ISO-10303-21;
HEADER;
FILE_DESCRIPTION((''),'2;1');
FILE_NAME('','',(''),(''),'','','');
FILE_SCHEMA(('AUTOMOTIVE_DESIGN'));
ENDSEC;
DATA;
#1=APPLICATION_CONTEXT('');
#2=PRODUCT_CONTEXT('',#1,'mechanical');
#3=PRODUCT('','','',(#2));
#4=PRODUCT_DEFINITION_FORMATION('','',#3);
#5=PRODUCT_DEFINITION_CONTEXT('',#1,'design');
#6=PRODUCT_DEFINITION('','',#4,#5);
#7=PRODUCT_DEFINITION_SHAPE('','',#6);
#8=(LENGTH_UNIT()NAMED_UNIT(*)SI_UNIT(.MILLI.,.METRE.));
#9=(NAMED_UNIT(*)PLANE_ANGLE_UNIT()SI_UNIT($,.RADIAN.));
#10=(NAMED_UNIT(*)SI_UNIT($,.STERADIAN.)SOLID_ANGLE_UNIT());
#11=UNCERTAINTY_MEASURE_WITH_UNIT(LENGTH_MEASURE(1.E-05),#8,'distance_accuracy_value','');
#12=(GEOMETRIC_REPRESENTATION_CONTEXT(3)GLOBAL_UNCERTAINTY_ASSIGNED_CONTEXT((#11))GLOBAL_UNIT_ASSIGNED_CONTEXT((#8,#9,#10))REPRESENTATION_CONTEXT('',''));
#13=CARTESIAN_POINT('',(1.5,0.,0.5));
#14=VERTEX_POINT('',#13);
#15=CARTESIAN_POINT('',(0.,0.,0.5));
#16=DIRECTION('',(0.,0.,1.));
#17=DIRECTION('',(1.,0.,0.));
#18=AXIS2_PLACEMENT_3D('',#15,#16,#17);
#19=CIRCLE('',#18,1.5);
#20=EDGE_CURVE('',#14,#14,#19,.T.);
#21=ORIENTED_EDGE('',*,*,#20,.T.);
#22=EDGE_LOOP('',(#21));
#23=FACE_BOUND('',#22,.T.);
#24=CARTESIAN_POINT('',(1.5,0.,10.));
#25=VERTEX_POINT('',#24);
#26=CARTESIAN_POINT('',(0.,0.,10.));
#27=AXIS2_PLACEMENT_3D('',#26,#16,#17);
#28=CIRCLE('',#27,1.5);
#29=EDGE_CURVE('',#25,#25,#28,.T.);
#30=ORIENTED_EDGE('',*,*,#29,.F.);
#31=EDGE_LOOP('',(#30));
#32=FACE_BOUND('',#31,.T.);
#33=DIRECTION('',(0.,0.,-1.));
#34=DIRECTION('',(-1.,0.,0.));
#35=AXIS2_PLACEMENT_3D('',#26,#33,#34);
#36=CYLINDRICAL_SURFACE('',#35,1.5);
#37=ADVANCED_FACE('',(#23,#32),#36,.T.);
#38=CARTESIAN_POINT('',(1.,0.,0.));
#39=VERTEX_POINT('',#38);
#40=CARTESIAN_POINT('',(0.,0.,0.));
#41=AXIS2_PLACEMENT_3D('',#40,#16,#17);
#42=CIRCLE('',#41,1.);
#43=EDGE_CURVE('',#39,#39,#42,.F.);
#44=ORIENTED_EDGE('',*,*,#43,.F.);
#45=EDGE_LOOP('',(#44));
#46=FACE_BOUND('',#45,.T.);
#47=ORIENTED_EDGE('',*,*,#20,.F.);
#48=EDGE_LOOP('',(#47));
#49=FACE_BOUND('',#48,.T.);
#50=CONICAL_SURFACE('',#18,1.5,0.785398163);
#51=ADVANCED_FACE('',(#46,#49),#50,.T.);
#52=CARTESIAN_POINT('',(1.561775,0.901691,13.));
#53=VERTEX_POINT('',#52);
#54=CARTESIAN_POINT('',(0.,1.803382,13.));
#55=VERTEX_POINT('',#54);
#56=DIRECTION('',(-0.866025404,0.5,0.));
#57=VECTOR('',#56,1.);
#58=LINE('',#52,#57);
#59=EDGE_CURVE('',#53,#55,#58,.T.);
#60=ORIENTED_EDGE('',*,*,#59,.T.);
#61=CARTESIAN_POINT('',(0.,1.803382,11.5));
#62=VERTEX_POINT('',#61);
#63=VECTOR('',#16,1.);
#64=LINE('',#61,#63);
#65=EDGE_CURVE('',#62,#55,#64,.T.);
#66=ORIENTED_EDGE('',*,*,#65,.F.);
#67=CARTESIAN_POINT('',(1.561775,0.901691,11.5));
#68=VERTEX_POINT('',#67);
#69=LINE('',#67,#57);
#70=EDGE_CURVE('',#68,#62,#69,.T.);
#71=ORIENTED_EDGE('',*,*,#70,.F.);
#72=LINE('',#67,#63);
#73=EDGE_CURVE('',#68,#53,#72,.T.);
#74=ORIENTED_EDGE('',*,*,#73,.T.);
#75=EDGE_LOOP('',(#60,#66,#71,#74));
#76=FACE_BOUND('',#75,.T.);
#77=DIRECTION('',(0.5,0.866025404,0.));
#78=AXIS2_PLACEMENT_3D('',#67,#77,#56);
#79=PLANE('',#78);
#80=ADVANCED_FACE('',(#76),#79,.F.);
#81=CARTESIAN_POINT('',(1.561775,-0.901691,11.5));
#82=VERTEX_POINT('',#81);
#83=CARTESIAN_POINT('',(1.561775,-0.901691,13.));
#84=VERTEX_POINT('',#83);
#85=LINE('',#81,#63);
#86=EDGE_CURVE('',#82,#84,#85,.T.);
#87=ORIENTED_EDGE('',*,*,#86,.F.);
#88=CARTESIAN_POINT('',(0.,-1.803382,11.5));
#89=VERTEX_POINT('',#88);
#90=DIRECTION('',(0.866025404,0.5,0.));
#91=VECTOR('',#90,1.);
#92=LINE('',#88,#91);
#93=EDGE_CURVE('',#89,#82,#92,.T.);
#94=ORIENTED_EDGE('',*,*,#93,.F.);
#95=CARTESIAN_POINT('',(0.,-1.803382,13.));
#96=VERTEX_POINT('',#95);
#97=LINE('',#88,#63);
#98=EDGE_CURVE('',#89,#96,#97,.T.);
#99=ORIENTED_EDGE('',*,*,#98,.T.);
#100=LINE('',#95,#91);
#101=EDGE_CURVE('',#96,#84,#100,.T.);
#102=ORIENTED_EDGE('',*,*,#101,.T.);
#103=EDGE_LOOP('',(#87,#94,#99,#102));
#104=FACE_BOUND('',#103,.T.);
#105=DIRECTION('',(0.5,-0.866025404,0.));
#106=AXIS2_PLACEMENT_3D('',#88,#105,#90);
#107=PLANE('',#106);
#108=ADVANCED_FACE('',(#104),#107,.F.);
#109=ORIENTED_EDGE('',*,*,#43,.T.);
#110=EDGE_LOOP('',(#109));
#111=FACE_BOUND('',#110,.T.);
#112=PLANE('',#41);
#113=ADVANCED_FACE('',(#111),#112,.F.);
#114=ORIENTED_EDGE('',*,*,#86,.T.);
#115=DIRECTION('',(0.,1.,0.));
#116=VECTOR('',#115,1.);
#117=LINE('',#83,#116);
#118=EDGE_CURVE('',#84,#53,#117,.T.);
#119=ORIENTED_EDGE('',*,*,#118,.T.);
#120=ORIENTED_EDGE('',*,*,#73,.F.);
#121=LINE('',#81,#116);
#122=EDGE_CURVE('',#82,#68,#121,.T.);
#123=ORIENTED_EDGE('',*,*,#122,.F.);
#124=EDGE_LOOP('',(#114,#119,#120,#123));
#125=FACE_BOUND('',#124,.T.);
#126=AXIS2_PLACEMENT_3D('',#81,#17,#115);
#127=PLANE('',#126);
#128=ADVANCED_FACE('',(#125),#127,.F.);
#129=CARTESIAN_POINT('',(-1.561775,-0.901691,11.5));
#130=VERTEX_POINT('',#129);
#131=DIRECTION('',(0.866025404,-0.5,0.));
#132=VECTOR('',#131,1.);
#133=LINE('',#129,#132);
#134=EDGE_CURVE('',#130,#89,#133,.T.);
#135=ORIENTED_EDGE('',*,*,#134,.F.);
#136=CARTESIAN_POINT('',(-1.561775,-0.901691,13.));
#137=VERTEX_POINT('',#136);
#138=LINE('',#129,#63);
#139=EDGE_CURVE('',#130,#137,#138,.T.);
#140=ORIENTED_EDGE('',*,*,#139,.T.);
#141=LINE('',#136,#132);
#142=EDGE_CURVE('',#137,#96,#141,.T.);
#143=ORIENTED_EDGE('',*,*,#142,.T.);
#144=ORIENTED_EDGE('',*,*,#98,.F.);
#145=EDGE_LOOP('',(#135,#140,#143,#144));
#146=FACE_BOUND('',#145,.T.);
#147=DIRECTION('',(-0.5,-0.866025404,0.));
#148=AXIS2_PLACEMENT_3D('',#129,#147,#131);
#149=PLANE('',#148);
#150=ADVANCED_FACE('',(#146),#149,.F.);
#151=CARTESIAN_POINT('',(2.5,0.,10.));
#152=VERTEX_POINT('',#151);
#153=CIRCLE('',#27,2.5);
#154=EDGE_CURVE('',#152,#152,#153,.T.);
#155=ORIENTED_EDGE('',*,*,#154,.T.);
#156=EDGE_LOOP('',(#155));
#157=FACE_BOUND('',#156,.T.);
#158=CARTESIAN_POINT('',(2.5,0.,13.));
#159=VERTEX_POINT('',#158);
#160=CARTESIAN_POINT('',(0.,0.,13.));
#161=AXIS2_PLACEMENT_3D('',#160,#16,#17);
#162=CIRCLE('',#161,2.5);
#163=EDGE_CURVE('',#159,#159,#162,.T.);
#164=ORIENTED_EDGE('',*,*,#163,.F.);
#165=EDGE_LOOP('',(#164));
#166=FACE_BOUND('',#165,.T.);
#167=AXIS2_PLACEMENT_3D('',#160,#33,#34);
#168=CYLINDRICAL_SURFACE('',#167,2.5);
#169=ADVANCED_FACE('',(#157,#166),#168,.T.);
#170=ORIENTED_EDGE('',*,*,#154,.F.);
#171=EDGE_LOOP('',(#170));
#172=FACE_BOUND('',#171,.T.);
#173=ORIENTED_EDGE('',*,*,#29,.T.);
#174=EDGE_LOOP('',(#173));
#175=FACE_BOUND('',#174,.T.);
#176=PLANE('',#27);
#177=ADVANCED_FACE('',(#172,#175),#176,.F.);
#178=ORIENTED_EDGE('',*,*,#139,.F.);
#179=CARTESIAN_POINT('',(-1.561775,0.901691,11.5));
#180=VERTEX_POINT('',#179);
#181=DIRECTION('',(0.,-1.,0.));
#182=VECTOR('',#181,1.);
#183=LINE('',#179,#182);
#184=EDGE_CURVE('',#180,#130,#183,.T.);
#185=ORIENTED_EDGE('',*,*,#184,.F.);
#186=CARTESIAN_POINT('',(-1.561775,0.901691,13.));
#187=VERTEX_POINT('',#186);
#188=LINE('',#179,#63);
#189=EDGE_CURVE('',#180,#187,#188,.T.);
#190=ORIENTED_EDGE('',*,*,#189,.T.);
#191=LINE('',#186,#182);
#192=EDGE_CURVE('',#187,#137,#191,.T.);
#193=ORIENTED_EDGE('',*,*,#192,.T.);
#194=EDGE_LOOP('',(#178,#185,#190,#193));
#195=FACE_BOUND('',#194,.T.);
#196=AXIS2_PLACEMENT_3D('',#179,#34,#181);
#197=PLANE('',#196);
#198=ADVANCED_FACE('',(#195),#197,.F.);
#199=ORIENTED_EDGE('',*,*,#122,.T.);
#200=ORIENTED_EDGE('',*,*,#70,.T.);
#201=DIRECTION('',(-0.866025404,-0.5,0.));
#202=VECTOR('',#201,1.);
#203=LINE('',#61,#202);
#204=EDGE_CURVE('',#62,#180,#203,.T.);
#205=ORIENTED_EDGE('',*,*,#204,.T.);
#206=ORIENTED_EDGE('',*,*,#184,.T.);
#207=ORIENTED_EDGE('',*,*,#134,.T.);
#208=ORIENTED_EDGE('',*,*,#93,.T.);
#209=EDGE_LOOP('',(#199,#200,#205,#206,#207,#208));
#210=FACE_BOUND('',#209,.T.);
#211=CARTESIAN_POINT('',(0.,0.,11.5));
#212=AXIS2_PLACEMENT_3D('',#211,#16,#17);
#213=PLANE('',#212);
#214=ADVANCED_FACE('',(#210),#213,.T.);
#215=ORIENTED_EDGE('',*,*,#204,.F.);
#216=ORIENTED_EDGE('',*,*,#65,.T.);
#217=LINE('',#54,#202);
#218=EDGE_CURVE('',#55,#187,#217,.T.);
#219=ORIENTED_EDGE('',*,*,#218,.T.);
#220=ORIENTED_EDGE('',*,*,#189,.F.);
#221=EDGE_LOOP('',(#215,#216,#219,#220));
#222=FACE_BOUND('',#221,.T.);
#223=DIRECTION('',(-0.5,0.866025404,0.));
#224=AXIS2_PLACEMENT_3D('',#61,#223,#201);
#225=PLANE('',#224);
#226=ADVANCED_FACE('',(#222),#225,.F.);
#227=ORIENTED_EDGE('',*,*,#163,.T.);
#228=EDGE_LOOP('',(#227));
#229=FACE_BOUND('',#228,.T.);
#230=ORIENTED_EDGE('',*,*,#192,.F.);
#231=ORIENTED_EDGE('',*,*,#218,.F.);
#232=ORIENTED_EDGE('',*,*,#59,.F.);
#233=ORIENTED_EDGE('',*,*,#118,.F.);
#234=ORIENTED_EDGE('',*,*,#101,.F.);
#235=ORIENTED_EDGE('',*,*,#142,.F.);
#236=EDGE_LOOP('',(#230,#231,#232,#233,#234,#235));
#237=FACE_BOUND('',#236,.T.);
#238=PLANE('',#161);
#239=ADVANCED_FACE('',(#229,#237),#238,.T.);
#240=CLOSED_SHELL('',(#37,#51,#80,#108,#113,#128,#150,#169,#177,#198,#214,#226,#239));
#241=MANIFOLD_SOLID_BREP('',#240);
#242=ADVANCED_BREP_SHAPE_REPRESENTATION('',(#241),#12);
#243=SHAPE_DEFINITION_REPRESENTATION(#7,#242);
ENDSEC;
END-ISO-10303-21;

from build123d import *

# Parameters (mm, degrees)
SKETCH_1_R          = 1.5
EXTRUDE_1_DEPTH     = 10
SKETCH_2_R          = 2.5
EXTRUDE_2_DEPTH     = 3
CUT_EXTRUDE_1_DEPTH = 1.5
CHAMFER_1_SIZE      = 0.5


with BuildPart() as part:
    # 草图1 → 凸台-拉伸1 (new body)
    with BuildSketch(Plane.XY):
        Circle(SKETCH_1_R)
    extrude(amount=EXTRUDE_1_DEPTH)

    # 草图2 → 凸台-拉伸2 (add)
    with BuildSketch(Plane.XY.offset(10)):
        Circle(SKETCH_2_R)
    extrude(amount=EXTRUDE_2_DEPTH)

    # 草图3 → 切除-拉伸1 (cut)
    with BuildSketch(Plane.XY.offset(13)):
        Polygon((0, 1.803382283), (-1.56177487, 0.901691141), (-1.56177487, -0.901691141), (0, -1.803382283), (1.56177487, -0.901691141), (1.56177487, 0.901691141), align=None)
    extrude(amount=-CUT_EXTRUDE_1_DEPTH, mode=Mode.SUBTRACT)

    # 倒角1
    chamfer_1_edges = [part.edges().sort_by_distance(p)[0] for p in [
        (-1.5, 0, 0),
    ]]
    chamfer(chamfer_1_edges, length=CHAMFER_1_SIZE)


solid = part.part
